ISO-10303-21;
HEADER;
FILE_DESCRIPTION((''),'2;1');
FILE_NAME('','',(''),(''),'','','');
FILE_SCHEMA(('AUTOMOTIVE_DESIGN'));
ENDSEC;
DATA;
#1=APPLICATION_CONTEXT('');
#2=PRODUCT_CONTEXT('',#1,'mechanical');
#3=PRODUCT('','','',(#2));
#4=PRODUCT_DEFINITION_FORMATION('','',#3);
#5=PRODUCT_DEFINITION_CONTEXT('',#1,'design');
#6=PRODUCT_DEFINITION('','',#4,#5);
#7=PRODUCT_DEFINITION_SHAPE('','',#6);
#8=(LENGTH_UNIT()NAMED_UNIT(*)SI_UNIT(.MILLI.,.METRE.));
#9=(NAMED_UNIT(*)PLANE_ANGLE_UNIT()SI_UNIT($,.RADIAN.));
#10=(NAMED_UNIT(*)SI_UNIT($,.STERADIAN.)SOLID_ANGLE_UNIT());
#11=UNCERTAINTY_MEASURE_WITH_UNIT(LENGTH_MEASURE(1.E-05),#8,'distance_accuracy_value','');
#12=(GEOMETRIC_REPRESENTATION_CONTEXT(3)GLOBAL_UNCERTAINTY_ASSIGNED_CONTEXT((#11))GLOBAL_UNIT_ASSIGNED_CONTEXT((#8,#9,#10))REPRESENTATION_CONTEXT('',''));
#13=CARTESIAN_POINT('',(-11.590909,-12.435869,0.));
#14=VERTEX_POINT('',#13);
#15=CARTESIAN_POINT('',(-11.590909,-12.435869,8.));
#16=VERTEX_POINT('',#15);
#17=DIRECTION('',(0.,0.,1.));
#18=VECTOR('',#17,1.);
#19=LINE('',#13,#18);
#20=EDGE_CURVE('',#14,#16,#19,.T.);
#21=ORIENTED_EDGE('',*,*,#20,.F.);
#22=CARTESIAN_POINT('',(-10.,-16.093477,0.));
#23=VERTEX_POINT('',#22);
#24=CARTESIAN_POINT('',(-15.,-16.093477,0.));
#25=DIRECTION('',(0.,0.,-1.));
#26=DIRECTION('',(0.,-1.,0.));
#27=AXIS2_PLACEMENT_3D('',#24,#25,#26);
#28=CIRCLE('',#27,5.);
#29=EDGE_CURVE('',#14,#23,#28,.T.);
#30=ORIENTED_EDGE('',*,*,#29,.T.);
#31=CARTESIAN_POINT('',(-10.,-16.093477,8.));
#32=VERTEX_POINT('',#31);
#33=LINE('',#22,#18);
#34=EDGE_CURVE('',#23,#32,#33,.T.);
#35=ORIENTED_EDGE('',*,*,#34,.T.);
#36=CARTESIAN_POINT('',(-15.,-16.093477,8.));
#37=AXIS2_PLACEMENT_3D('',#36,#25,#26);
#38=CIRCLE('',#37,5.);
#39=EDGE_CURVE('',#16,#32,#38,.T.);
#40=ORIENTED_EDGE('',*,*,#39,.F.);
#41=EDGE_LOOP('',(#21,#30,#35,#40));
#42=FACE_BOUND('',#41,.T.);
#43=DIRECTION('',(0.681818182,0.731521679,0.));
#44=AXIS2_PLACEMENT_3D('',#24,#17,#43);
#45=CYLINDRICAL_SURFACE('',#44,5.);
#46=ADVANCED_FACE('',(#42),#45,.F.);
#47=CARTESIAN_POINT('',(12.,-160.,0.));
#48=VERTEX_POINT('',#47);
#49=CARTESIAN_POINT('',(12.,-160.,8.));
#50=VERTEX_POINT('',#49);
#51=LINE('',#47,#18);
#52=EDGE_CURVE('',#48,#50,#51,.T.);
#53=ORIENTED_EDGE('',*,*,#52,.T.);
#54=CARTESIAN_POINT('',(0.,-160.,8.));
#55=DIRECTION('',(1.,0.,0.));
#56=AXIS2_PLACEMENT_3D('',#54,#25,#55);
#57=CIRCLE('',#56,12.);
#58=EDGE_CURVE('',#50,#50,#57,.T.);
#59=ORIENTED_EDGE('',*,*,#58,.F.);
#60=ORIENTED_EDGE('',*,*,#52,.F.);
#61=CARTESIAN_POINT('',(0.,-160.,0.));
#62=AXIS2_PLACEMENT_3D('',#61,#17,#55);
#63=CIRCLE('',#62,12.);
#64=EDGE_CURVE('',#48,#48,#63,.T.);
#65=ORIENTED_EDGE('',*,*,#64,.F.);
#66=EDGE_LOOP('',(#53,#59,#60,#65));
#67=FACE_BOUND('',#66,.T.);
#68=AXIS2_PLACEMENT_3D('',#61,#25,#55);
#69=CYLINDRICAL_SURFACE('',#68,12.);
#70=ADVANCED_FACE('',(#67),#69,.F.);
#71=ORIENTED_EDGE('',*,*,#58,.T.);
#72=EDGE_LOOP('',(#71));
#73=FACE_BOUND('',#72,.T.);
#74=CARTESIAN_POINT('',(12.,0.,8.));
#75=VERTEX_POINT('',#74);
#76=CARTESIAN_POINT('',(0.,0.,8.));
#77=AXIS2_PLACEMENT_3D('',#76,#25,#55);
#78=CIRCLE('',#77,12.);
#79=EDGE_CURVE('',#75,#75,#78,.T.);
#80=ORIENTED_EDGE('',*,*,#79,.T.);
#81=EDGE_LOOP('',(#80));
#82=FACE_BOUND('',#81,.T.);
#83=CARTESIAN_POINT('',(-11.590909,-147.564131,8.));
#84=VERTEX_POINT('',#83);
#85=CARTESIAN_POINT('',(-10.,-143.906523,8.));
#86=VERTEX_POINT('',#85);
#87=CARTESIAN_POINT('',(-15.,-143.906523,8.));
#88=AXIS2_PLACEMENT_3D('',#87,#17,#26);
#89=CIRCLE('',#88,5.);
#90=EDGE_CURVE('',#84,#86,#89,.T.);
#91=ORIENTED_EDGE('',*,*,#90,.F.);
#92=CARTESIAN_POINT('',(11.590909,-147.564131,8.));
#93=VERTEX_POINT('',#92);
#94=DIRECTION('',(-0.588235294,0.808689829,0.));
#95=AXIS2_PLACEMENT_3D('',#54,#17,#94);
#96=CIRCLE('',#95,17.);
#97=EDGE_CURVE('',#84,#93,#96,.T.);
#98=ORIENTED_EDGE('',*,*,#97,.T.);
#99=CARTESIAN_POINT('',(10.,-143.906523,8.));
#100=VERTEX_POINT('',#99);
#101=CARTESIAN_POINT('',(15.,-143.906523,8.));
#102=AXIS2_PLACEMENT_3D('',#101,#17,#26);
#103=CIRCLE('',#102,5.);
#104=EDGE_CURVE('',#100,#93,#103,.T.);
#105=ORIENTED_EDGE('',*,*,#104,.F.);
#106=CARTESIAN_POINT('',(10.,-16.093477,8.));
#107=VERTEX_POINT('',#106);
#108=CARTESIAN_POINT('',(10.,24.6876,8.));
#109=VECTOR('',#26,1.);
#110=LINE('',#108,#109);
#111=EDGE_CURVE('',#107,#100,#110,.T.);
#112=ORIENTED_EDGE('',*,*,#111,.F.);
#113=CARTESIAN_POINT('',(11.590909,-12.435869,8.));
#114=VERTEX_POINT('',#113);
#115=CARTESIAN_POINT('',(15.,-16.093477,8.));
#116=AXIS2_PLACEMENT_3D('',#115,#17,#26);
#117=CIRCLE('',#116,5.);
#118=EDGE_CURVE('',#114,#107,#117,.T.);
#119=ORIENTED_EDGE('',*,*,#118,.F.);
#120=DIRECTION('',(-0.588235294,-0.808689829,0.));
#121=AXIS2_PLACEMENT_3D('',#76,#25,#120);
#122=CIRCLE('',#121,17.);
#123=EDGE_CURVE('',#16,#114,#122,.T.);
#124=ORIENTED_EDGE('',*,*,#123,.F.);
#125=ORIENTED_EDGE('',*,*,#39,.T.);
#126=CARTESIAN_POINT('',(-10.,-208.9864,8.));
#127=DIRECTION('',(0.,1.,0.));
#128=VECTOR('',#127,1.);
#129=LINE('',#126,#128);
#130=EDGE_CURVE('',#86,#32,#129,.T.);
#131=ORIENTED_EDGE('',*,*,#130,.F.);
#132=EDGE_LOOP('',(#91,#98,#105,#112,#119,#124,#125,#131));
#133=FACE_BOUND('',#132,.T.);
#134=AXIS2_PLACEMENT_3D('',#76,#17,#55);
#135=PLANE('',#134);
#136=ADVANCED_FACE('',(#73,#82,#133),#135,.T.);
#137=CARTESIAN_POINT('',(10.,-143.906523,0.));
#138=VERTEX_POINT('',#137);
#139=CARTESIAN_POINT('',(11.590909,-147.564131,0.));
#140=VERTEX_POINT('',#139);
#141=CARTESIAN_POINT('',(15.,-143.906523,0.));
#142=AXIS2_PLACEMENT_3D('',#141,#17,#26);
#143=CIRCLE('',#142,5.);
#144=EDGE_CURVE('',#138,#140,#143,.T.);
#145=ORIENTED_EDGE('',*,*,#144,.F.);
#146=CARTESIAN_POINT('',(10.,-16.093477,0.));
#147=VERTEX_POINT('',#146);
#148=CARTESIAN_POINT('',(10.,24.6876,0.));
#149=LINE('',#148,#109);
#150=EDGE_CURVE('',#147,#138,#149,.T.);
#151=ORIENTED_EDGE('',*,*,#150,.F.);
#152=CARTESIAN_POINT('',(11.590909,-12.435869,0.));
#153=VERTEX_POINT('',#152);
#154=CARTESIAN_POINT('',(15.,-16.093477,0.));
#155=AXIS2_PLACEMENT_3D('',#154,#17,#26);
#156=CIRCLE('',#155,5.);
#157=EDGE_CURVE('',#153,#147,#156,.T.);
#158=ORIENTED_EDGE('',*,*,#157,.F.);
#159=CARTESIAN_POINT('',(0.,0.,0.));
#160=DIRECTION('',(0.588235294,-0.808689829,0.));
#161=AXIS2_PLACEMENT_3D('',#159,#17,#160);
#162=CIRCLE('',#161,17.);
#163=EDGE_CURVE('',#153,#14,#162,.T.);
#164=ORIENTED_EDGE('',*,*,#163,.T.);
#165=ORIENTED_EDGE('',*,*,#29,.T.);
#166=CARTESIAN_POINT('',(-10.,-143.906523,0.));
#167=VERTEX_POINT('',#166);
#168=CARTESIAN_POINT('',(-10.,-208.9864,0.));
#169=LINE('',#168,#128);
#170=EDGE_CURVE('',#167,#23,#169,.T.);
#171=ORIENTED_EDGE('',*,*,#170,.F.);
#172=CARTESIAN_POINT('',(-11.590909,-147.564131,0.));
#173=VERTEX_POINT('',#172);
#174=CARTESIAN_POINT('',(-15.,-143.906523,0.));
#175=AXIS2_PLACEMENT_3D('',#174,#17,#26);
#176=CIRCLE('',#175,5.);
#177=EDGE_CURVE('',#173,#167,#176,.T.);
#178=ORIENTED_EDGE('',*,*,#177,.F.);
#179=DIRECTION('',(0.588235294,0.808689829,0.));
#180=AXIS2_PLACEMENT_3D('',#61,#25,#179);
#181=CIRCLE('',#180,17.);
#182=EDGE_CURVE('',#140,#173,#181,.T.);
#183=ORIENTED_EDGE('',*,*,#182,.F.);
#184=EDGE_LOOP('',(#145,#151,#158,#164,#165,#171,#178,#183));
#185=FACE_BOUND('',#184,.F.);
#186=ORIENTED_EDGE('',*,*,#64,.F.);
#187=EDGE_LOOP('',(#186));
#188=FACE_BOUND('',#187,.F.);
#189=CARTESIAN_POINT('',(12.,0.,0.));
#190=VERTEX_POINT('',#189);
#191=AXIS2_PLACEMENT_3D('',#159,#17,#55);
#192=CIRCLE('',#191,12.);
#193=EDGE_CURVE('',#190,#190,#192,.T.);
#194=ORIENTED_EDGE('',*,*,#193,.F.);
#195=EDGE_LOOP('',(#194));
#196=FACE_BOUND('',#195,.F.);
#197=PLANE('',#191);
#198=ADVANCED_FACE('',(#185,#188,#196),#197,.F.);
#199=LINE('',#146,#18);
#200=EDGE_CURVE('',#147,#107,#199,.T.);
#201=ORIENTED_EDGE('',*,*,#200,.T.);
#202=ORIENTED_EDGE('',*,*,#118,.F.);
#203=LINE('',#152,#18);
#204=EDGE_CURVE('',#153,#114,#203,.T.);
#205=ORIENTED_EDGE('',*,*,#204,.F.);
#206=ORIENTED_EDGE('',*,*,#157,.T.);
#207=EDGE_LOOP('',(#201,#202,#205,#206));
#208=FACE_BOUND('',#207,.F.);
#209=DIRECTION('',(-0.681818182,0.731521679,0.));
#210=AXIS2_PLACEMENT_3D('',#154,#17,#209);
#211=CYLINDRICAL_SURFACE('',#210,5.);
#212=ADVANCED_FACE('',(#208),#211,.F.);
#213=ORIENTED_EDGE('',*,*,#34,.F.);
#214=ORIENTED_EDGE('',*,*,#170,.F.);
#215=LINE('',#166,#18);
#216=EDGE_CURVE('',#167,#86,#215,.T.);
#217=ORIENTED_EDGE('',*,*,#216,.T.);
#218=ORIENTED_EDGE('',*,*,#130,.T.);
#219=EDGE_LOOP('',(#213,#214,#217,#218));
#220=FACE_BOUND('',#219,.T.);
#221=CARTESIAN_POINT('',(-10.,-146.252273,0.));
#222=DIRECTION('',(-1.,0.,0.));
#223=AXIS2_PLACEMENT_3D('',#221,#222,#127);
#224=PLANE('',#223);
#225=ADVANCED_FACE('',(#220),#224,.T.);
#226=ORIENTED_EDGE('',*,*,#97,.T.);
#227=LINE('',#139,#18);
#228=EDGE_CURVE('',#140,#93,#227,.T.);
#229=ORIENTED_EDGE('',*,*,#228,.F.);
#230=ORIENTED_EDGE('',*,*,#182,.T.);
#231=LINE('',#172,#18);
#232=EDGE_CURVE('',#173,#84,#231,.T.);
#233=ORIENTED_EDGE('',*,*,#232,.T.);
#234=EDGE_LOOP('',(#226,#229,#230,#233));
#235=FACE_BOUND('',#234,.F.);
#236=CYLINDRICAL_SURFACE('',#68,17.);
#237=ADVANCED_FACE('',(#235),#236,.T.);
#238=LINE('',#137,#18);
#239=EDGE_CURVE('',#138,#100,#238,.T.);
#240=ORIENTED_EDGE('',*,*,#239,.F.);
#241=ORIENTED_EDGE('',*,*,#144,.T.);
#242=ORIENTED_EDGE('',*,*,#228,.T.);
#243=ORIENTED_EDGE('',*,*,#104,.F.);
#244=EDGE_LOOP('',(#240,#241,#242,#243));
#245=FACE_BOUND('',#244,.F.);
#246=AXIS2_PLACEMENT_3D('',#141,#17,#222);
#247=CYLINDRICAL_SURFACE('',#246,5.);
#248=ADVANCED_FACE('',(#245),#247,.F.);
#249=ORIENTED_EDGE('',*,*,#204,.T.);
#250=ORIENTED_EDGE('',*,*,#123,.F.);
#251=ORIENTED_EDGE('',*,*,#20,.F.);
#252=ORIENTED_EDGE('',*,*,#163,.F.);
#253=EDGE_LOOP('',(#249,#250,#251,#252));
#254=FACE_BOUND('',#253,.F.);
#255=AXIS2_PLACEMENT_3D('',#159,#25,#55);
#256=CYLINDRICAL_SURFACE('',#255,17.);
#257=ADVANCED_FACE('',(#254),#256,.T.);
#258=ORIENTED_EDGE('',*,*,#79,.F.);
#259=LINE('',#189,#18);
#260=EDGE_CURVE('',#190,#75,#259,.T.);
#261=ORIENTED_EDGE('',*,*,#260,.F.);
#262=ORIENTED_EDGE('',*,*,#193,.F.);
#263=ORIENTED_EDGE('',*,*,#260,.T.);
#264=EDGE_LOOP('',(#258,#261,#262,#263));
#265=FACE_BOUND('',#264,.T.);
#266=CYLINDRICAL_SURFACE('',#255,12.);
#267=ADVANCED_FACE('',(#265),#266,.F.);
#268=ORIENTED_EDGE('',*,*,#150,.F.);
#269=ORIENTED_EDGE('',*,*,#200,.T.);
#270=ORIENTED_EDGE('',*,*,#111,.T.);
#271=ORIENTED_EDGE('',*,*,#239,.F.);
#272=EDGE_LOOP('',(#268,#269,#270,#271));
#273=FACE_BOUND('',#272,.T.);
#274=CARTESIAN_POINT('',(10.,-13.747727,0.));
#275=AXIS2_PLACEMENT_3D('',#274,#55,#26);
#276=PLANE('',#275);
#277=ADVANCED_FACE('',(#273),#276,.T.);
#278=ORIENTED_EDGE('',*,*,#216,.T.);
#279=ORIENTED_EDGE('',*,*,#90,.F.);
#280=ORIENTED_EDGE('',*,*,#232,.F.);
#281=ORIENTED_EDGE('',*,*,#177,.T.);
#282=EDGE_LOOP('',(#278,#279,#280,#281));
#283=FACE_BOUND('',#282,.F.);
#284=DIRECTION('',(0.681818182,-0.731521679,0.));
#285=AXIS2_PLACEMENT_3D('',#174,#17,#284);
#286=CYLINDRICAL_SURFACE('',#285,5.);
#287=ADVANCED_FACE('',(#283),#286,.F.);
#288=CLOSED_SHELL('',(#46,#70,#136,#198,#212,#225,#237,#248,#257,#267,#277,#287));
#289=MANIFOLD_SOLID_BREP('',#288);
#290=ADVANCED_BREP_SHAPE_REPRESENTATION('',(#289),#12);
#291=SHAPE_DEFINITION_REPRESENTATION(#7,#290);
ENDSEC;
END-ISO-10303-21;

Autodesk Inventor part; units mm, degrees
ref_plane "YZ Plane" through (0, 0, 0) normal (1, 0, 0) x (0, 1, 0)
ref_plane "XZ Plane" through (0, 0, 0) normal (0, 1, 0) x (-1, 0, 0)
ref_plane "XY Plane" through (0, 0, 0) normal (0, 0, 1) x (1, 0, 0)
sketch "スケッチ1" plane through (0, 0, 0) normal (0, 0, 1) x (1, 0, 0)
  circle A0 centre (0, 0) radius 17
  circle A1 centre (0, 0) radius 12
  circle A2 centre (0, -160) radius 12
  line L0 (-12, 0) -> (10.75, 0)
  line L1 (12, -160) -> (11, -160)
  circle A3 centre (0, -160) radius 17
  line L2 (-10, 24.6876) -> (10, 24.6876)
  line L3 (10, 24.6876) -> (10, -208.9864)
  line L4 (10, -208.9864) -> (-10, -208.9864)
  line L5 (-10, -208.9864) -> (-10, 24.6876)
  point P0 (-8, 8.9443)
  point P1 (12, 0)
  point P2 (0, -167.6676)
  point P3 (9.375, -145.8187)
  point P4 (-10.625, -146.7294)
  point P5 (-10.625, -13.2706)
  point P6 (9.375, -14.1813)
  point P7 (-0.625, 0)
  point P8 (-10, -13.7477)
  point P9 (-10, -146.2523)
  point P10 (10, -146.2523)
  point P11 (10, -13.7477)
  point P12 (10, -173.7477)
  point P13 (-10, -173.7477)
  point P14 (-10, 13.7477)
  point P15 (10, 13.7477)
  point P16 (-10, 6.6332)
  point P17 (-10, 0)
  point P18 (10, 0)
  point P19 (10, 6.6332)
  point P20 (-10, -6.6332)
  point P21 (10, -6.6332)
  point P22 (-10, -153.3668)
  point P23 (-10, -166.6332)
  point P24 (10, -166.6332)
  point P25 (10, -153.3668)
  dimension "d17" = 24
  dimension "d0" = 34
  dimension "d1" = 24
  dimension "d22" = 160
  dimension "d24" = 0
  dimension "d27" = 34
  dimension "d31" = 10
  dimension "d32" = 20
extrude "押し出し1" add sketch "スケッチ1" along normal blind 8 contours A0 L3 A1 | L3 A1 L5 A0 | L3 A3 L5 A0 | A0 L5 A1 L3 | L5 A1 A0 | L3 A2 L5 A3 | A3 L3 A2 | L5 A2 A3 | L5 A2 L3 A3
fillet "フィレット2" radius 5 4 edges at (-10, -146.2523, 4) (10, -146.2523, 4) (10, -13.7477, 4) (-10, -13.7477, 4)
equation "\"d17\" = d1"
equation "\"d31\" = 0.5 * d32"
equation "\"d23\" = 0.5 * d3"
equation "\"d3\" = 10"
properties part number "RP_Thigh-Link" material "アルミニウム7075"
